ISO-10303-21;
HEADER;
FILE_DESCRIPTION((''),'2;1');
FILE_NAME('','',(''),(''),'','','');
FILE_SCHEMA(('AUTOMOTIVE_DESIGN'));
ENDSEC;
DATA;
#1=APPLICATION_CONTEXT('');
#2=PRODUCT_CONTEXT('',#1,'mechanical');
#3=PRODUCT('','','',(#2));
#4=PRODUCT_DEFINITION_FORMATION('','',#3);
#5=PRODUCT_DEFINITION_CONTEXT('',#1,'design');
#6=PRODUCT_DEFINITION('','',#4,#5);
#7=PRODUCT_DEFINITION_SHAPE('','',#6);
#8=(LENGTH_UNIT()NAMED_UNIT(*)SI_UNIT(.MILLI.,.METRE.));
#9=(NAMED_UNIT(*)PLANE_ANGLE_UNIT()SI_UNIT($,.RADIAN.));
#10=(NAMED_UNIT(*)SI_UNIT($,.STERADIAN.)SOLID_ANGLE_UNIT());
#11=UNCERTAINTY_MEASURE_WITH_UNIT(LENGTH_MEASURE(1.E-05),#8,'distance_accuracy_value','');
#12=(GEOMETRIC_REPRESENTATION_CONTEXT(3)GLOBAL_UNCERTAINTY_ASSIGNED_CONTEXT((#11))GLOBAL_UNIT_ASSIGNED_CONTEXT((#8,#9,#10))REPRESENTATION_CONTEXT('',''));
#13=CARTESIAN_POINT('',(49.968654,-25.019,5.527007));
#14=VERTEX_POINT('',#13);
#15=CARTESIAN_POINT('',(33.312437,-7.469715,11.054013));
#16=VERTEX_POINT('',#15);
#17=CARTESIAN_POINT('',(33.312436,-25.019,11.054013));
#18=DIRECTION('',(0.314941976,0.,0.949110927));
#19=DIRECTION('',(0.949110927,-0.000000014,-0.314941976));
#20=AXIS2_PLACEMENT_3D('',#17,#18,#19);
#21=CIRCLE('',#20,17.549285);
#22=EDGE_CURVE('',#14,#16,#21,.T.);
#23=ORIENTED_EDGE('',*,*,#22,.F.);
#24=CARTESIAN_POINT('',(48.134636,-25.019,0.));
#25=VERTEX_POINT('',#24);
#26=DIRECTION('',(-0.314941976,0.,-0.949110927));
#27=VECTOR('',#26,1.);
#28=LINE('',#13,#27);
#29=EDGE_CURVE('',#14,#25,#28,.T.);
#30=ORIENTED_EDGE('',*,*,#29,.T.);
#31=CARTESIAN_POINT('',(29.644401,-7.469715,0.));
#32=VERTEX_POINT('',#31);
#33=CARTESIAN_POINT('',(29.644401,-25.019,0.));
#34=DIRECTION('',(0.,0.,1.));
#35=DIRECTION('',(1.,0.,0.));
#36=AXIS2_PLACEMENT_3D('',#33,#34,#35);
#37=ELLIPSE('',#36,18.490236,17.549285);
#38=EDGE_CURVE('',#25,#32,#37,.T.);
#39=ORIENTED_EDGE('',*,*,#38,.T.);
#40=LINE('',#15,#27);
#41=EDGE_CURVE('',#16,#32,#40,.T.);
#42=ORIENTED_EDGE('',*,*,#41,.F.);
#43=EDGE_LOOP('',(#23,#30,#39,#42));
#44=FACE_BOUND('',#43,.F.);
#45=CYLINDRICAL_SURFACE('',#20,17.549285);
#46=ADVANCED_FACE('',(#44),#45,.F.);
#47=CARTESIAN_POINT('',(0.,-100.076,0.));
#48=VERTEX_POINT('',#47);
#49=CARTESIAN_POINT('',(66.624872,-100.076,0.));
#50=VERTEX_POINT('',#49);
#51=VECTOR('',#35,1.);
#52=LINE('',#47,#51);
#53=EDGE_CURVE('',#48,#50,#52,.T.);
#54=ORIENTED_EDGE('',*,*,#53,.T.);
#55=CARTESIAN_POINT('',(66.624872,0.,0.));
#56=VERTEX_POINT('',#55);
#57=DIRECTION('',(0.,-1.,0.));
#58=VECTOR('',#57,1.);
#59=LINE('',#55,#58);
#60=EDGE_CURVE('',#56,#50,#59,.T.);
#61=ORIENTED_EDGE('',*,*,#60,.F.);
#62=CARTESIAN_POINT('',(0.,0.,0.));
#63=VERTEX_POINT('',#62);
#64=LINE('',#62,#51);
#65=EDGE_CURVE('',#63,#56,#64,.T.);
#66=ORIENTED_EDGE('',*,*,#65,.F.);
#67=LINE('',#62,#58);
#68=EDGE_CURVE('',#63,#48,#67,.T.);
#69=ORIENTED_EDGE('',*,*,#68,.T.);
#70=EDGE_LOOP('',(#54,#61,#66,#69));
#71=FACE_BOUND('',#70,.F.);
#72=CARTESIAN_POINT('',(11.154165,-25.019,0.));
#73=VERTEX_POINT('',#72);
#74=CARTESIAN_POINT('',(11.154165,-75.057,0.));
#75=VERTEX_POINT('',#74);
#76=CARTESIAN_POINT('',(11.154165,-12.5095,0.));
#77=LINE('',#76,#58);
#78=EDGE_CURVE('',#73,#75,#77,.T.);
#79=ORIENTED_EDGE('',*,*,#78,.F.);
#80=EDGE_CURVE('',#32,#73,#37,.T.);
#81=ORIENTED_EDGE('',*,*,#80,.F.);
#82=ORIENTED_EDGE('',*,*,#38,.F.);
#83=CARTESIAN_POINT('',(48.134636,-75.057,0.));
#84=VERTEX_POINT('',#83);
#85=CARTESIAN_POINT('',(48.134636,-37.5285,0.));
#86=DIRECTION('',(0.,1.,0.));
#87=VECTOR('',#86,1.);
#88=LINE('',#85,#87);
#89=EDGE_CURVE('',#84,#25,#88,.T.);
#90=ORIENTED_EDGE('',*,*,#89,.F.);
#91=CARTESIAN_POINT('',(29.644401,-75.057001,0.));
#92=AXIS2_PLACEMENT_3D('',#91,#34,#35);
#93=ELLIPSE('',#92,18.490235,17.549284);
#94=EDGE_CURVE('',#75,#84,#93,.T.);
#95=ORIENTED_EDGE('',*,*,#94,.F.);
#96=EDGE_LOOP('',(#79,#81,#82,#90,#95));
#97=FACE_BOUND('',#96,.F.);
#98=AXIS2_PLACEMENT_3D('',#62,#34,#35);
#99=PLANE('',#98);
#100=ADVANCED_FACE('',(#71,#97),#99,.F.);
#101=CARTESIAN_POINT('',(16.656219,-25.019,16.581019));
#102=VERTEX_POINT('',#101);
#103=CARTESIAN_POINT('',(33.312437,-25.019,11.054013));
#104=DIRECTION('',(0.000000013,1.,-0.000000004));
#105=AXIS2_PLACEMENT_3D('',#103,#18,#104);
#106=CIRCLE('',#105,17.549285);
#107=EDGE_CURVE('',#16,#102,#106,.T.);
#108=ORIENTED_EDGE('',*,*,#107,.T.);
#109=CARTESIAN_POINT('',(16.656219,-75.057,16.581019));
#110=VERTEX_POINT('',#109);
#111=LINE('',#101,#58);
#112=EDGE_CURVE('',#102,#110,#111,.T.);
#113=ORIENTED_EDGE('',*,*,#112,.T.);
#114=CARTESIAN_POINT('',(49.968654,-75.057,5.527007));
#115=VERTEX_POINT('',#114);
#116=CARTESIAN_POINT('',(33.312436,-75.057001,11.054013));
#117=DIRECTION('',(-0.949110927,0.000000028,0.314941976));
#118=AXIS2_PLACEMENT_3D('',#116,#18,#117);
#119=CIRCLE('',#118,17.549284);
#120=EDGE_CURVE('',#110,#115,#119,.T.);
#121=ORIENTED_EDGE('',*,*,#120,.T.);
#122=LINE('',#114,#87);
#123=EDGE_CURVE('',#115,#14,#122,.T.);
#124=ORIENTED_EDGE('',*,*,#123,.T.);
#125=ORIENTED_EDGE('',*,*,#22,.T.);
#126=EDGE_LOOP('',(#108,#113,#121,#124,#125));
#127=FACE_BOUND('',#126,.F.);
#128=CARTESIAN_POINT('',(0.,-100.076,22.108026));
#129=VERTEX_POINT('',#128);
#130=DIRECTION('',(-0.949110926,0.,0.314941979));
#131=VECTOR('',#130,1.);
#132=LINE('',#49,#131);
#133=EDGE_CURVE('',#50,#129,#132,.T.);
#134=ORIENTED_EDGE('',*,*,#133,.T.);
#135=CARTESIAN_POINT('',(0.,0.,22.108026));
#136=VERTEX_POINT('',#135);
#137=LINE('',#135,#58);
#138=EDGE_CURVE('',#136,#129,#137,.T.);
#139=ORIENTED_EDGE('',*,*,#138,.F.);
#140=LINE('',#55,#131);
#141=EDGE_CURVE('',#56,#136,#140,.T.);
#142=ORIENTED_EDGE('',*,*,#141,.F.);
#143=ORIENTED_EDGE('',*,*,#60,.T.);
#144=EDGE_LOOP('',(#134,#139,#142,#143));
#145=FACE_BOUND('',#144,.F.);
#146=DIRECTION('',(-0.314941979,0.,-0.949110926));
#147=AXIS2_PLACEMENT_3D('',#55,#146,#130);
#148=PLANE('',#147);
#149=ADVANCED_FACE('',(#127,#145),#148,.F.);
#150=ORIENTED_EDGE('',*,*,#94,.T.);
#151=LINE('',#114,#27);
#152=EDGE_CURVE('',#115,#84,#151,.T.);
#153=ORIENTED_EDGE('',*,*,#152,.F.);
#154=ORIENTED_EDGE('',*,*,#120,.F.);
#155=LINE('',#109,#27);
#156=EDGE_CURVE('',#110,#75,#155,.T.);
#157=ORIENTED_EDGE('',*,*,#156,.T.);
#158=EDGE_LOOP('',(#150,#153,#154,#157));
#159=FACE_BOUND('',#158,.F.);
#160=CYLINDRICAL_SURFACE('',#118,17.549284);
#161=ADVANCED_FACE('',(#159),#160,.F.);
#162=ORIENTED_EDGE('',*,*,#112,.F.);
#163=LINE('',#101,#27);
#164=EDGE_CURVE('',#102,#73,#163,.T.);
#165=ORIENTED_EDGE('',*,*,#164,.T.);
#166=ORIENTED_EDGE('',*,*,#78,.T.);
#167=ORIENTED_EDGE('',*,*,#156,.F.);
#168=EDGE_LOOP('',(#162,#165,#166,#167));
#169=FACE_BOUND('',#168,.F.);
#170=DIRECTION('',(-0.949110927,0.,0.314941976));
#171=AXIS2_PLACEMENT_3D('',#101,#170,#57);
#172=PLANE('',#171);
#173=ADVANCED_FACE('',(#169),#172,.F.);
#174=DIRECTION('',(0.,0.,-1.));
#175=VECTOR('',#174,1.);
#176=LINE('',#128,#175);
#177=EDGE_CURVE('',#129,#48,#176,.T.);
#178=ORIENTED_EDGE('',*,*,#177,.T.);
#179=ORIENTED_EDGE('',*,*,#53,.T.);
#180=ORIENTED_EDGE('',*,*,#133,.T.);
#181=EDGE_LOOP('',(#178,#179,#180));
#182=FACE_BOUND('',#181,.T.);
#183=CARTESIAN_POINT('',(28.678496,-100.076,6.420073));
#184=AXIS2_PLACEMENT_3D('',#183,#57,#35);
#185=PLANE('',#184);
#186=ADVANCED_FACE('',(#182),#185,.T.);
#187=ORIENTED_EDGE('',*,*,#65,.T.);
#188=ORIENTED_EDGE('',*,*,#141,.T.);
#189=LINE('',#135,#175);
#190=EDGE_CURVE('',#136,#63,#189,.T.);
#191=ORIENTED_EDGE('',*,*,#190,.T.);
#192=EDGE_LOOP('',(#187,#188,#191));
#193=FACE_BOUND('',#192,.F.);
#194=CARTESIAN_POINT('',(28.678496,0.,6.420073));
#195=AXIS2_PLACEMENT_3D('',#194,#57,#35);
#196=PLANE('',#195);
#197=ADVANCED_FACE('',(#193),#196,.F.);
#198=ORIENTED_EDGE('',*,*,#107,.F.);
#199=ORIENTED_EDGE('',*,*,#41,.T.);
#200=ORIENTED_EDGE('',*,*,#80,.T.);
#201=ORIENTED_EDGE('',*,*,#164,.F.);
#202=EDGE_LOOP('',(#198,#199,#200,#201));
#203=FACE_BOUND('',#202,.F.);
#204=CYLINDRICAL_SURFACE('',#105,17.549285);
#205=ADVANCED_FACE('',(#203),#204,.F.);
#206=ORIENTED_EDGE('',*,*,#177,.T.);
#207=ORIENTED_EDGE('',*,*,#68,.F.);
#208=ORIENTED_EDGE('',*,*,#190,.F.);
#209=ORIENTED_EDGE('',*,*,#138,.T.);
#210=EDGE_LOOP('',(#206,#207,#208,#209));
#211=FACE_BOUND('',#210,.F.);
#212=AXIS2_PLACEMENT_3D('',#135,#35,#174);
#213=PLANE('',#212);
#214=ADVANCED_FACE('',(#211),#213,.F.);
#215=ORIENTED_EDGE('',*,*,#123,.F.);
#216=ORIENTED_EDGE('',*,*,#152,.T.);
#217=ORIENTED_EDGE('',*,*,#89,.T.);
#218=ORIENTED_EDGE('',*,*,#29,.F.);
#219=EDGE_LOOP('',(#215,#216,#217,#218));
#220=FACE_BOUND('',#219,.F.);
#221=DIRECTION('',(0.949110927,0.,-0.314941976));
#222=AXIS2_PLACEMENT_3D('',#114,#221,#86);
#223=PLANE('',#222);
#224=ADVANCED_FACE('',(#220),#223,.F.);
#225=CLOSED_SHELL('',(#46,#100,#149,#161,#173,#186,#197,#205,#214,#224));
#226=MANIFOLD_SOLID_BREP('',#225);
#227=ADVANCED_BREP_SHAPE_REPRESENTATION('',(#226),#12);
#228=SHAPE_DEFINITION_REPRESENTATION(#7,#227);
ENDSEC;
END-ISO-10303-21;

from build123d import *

# Parameters (mm, degrees)
F1_DEPTH = 100.076
F3_DEPTH = 48.26


with BuildPart() as f1:
    # F0 (on Front) → F1 (new body)
    with BuildSketch(Plane.XZ):
        Polygon((0, 22.108026), (0, 0), (66.624872, 0), align=None)
    extrude(amount=F1_DEPTH)

    # F2 (on face) → F3 (cut)
    with BuildSketch(Plane(origin=(6.608418, 0, 19.915165), x_dir=(0.949111, 0, -0.314942), z_dir=(0.314942, 0, 0.949111))):
        with BuildLine():
            ThreePointArc((28.135825, -7.469715), (15.726606, -12.609782), (10.58654, -25.019))
            Line((10.58654, -25.019), (10.58654, -75.057))
            ThreePointArc((10.58654, -75.057), (28.135825, -92.606285), (45.685109, -75.057))
            Line((45.685109, -75.057), (45.685109, -25.019))
            ThreePointArc((45.685109, -25.019), (40.545043, -12.609782), (28.135825, -7.469715))
        make_face()
    extrude(amount=-F3_DEPTH, mode=Mode.SUBTRACT)


solid = f1.part
